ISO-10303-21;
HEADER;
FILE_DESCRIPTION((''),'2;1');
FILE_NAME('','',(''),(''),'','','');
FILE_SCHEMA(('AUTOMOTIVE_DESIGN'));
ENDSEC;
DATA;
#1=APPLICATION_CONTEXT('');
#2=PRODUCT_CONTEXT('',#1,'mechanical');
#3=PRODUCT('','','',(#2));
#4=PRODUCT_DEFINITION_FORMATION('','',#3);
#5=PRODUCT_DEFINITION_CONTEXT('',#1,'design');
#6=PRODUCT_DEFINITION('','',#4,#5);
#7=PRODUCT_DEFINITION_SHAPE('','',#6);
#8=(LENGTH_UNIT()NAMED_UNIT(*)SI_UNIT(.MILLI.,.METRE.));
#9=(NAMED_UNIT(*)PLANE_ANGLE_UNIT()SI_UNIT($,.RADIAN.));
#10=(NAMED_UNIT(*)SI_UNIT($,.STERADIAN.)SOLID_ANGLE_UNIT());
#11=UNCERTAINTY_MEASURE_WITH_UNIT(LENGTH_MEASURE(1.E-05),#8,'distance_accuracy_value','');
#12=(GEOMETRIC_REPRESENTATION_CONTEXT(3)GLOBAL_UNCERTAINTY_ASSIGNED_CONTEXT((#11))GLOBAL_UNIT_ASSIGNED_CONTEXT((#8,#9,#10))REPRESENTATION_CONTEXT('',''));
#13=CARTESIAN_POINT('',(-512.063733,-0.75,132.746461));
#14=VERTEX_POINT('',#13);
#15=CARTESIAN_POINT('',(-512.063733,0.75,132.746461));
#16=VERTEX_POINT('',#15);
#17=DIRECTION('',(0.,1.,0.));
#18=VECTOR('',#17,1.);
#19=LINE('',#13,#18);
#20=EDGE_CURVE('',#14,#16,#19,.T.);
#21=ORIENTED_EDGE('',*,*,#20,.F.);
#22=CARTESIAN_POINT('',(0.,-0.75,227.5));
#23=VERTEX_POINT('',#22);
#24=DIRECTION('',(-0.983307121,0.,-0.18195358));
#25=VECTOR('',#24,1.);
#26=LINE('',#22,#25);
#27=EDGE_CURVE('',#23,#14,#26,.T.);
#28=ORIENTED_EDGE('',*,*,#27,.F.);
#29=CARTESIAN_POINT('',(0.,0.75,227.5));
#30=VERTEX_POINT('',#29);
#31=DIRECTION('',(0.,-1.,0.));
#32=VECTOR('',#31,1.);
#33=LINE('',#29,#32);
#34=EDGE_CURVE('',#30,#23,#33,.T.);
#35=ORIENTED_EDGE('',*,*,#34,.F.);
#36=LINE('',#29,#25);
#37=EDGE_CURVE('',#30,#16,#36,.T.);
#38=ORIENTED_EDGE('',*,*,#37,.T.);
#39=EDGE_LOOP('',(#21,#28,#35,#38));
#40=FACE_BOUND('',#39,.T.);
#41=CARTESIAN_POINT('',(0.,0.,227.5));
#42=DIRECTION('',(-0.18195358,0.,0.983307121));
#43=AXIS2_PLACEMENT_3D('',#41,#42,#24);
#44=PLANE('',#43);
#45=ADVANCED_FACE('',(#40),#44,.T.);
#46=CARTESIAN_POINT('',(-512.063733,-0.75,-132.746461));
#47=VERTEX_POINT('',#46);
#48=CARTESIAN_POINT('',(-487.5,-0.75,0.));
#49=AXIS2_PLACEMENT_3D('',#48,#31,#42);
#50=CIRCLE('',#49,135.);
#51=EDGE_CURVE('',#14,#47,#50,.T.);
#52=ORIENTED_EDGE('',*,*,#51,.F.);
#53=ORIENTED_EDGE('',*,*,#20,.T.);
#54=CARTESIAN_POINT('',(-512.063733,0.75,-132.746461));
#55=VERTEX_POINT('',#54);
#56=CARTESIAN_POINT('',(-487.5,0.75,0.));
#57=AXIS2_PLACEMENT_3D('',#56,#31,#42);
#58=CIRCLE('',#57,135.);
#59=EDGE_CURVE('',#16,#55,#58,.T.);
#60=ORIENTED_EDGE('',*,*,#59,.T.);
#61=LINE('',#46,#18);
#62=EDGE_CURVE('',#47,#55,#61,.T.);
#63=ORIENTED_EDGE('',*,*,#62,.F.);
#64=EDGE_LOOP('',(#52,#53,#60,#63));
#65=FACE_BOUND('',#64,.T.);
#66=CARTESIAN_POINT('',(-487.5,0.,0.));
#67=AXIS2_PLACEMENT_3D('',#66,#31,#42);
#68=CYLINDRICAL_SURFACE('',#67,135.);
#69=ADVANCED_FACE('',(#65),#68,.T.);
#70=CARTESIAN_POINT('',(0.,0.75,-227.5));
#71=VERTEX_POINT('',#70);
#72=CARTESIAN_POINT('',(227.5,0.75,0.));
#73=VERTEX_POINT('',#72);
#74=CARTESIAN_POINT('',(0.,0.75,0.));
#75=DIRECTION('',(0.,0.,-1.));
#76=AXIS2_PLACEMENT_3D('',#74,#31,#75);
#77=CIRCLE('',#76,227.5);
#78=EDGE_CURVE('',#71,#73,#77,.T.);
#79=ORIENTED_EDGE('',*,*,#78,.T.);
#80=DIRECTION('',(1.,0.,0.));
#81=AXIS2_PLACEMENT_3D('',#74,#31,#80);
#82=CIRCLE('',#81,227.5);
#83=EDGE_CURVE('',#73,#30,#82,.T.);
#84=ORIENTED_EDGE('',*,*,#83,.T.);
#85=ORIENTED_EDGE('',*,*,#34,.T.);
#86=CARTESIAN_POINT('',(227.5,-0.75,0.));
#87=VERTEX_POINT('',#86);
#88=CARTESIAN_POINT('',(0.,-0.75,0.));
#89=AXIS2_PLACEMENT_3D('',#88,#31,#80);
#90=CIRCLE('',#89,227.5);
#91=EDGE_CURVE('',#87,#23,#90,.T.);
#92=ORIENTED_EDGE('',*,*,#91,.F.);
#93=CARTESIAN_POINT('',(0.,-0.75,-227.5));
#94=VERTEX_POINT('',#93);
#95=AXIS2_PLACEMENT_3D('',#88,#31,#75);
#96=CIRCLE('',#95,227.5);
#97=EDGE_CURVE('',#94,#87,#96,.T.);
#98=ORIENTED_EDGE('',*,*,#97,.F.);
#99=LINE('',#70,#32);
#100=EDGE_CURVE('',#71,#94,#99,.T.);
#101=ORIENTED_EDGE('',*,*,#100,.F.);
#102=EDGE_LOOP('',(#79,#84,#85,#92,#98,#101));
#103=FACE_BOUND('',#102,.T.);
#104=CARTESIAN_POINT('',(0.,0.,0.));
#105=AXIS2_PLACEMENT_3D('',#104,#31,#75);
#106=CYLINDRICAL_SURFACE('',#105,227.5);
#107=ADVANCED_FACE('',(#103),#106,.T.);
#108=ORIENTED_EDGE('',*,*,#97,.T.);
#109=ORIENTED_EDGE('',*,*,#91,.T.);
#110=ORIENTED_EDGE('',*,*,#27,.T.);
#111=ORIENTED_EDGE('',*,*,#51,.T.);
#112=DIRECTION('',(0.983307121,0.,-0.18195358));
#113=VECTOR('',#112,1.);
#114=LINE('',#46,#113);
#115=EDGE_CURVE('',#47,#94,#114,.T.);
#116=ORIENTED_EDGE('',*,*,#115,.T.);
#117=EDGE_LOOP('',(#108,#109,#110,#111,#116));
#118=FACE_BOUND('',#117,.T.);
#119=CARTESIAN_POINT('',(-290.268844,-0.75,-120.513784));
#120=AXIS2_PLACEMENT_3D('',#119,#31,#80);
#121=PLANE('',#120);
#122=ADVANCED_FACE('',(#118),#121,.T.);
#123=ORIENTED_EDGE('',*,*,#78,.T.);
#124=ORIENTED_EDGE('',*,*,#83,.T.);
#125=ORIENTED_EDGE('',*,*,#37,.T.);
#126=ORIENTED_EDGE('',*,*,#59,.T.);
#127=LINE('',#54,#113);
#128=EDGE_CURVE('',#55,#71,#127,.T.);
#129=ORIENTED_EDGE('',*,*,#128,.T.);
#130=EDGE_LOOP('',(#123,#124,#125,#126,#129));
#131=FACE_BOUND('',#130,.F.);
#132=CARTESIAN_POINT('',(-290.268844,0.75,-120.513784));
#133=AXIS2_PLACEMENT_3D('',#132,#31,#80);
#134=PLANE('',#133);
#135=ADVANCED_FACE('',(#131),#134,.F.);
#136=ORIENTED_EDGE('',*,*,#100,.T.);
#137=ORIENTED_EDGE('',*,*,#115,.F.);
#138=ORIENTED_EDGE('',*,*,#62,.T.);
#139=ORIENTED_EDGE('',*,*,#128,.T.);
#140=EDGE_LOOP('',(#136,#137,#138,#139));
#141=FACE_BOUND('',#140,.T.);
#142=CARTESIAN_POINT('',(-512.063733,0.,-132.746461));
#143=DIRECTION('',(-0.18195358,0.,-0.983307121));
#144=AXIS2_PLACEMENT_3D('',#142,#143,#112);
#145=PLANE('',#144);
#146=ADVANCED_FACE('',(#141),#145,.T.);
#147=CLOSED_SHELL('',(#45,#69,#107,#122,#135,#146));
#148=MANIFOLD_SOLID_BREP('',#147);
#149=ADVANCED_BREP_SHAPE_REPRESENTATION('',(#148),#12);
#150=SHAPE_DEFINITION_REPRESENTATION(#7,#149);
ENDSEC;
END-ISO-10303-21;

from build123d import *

# Parameters (mm, degrees)
F1_DEPTH = 0.75


with BuildPart() as f1:
    # F0 (on Front) → F1 (new body, symmetric)
    with BuildSketch(Plane.XZ):
        with BuildLine():
            Line((-512.0637332585, -132.7464613781), (-81.4068940509, -212.4362671509))
            ThreePointArc((-81.4068940509, -212.4362671509), (-187.4517516544, -128.9111740762), (-227.5, 0))
            Line((-227.5, 0), (-352.5, 0))
            ThreePointArc((-352.5, 0), (-401.1608547352, -103.7812699621), (-512.0637332585, -132.7464613781))
        make_face()
        with BuildLine():
            ThreePointArc((0, -227.5), (160.8667927199, -160.8667927199), (227.5, 0))
            ThreePointArc((227.5, 0), (160.8667927199, 160.8667927199), (0, 227.5))
            Line((0, 227.5), (-81.4068940509, 212.4362671509))
            ThreePointArc((-81.4068940509, 212.4362671509), (-187.4517516544, 128.9111740762), (-227.5, 0))
            ThreePointArc((-227.5, 0), (-187.4517516544, -128.9111740762), (-81.4068940509, -212.4362671509))
            Line((-81.4068940509, -212.4362671509), (0, -227.5))
        make_face()
        with BuildLine():
            ThreePointArc((-227.5, 0), (-187.4517516544, 128.9111740762), (-81.4068940509, 212.4362671509))
            Line((-81.4068940509, 212.4362671509), (-512.0637332585, 132.7464613781))
            ThreePointArc((-512.0637332585, 132.7464613781), (-401.1608547352, 103.7812699621), (-352.5, 0))
            Line((-352.5, 0), (-227.5, 0))
        make_face()
        with BuildLine():
            ThreePointArc((-622.5, 0), (-591.2812699621, -86.3391452648), (-512.0637332585, -132.7464613781))
            ThreePointArc((-512.0637332585, -132.7464613781), (-401.1608547352, -103.7812699621), (-352.5, 0))
            Line((-352.5, 0), (-622.5, 0))
        make_face()
        with BuildLine():
            ThreePointArc((-352.5, 0), (-401.1608547352, 103.7812699621), (-512.0637332585, 132.7464613781))
            ThreePointArc((-512.0637332585, 132.7464613781), (-591.2812699621, 86.3391452648), (-622.5, 0))
            Line((-622.5, 0), (-352.5, 0))
        make_face()
    extrude(amount=F1_DEPTH, both=True)


solid = f1.part
